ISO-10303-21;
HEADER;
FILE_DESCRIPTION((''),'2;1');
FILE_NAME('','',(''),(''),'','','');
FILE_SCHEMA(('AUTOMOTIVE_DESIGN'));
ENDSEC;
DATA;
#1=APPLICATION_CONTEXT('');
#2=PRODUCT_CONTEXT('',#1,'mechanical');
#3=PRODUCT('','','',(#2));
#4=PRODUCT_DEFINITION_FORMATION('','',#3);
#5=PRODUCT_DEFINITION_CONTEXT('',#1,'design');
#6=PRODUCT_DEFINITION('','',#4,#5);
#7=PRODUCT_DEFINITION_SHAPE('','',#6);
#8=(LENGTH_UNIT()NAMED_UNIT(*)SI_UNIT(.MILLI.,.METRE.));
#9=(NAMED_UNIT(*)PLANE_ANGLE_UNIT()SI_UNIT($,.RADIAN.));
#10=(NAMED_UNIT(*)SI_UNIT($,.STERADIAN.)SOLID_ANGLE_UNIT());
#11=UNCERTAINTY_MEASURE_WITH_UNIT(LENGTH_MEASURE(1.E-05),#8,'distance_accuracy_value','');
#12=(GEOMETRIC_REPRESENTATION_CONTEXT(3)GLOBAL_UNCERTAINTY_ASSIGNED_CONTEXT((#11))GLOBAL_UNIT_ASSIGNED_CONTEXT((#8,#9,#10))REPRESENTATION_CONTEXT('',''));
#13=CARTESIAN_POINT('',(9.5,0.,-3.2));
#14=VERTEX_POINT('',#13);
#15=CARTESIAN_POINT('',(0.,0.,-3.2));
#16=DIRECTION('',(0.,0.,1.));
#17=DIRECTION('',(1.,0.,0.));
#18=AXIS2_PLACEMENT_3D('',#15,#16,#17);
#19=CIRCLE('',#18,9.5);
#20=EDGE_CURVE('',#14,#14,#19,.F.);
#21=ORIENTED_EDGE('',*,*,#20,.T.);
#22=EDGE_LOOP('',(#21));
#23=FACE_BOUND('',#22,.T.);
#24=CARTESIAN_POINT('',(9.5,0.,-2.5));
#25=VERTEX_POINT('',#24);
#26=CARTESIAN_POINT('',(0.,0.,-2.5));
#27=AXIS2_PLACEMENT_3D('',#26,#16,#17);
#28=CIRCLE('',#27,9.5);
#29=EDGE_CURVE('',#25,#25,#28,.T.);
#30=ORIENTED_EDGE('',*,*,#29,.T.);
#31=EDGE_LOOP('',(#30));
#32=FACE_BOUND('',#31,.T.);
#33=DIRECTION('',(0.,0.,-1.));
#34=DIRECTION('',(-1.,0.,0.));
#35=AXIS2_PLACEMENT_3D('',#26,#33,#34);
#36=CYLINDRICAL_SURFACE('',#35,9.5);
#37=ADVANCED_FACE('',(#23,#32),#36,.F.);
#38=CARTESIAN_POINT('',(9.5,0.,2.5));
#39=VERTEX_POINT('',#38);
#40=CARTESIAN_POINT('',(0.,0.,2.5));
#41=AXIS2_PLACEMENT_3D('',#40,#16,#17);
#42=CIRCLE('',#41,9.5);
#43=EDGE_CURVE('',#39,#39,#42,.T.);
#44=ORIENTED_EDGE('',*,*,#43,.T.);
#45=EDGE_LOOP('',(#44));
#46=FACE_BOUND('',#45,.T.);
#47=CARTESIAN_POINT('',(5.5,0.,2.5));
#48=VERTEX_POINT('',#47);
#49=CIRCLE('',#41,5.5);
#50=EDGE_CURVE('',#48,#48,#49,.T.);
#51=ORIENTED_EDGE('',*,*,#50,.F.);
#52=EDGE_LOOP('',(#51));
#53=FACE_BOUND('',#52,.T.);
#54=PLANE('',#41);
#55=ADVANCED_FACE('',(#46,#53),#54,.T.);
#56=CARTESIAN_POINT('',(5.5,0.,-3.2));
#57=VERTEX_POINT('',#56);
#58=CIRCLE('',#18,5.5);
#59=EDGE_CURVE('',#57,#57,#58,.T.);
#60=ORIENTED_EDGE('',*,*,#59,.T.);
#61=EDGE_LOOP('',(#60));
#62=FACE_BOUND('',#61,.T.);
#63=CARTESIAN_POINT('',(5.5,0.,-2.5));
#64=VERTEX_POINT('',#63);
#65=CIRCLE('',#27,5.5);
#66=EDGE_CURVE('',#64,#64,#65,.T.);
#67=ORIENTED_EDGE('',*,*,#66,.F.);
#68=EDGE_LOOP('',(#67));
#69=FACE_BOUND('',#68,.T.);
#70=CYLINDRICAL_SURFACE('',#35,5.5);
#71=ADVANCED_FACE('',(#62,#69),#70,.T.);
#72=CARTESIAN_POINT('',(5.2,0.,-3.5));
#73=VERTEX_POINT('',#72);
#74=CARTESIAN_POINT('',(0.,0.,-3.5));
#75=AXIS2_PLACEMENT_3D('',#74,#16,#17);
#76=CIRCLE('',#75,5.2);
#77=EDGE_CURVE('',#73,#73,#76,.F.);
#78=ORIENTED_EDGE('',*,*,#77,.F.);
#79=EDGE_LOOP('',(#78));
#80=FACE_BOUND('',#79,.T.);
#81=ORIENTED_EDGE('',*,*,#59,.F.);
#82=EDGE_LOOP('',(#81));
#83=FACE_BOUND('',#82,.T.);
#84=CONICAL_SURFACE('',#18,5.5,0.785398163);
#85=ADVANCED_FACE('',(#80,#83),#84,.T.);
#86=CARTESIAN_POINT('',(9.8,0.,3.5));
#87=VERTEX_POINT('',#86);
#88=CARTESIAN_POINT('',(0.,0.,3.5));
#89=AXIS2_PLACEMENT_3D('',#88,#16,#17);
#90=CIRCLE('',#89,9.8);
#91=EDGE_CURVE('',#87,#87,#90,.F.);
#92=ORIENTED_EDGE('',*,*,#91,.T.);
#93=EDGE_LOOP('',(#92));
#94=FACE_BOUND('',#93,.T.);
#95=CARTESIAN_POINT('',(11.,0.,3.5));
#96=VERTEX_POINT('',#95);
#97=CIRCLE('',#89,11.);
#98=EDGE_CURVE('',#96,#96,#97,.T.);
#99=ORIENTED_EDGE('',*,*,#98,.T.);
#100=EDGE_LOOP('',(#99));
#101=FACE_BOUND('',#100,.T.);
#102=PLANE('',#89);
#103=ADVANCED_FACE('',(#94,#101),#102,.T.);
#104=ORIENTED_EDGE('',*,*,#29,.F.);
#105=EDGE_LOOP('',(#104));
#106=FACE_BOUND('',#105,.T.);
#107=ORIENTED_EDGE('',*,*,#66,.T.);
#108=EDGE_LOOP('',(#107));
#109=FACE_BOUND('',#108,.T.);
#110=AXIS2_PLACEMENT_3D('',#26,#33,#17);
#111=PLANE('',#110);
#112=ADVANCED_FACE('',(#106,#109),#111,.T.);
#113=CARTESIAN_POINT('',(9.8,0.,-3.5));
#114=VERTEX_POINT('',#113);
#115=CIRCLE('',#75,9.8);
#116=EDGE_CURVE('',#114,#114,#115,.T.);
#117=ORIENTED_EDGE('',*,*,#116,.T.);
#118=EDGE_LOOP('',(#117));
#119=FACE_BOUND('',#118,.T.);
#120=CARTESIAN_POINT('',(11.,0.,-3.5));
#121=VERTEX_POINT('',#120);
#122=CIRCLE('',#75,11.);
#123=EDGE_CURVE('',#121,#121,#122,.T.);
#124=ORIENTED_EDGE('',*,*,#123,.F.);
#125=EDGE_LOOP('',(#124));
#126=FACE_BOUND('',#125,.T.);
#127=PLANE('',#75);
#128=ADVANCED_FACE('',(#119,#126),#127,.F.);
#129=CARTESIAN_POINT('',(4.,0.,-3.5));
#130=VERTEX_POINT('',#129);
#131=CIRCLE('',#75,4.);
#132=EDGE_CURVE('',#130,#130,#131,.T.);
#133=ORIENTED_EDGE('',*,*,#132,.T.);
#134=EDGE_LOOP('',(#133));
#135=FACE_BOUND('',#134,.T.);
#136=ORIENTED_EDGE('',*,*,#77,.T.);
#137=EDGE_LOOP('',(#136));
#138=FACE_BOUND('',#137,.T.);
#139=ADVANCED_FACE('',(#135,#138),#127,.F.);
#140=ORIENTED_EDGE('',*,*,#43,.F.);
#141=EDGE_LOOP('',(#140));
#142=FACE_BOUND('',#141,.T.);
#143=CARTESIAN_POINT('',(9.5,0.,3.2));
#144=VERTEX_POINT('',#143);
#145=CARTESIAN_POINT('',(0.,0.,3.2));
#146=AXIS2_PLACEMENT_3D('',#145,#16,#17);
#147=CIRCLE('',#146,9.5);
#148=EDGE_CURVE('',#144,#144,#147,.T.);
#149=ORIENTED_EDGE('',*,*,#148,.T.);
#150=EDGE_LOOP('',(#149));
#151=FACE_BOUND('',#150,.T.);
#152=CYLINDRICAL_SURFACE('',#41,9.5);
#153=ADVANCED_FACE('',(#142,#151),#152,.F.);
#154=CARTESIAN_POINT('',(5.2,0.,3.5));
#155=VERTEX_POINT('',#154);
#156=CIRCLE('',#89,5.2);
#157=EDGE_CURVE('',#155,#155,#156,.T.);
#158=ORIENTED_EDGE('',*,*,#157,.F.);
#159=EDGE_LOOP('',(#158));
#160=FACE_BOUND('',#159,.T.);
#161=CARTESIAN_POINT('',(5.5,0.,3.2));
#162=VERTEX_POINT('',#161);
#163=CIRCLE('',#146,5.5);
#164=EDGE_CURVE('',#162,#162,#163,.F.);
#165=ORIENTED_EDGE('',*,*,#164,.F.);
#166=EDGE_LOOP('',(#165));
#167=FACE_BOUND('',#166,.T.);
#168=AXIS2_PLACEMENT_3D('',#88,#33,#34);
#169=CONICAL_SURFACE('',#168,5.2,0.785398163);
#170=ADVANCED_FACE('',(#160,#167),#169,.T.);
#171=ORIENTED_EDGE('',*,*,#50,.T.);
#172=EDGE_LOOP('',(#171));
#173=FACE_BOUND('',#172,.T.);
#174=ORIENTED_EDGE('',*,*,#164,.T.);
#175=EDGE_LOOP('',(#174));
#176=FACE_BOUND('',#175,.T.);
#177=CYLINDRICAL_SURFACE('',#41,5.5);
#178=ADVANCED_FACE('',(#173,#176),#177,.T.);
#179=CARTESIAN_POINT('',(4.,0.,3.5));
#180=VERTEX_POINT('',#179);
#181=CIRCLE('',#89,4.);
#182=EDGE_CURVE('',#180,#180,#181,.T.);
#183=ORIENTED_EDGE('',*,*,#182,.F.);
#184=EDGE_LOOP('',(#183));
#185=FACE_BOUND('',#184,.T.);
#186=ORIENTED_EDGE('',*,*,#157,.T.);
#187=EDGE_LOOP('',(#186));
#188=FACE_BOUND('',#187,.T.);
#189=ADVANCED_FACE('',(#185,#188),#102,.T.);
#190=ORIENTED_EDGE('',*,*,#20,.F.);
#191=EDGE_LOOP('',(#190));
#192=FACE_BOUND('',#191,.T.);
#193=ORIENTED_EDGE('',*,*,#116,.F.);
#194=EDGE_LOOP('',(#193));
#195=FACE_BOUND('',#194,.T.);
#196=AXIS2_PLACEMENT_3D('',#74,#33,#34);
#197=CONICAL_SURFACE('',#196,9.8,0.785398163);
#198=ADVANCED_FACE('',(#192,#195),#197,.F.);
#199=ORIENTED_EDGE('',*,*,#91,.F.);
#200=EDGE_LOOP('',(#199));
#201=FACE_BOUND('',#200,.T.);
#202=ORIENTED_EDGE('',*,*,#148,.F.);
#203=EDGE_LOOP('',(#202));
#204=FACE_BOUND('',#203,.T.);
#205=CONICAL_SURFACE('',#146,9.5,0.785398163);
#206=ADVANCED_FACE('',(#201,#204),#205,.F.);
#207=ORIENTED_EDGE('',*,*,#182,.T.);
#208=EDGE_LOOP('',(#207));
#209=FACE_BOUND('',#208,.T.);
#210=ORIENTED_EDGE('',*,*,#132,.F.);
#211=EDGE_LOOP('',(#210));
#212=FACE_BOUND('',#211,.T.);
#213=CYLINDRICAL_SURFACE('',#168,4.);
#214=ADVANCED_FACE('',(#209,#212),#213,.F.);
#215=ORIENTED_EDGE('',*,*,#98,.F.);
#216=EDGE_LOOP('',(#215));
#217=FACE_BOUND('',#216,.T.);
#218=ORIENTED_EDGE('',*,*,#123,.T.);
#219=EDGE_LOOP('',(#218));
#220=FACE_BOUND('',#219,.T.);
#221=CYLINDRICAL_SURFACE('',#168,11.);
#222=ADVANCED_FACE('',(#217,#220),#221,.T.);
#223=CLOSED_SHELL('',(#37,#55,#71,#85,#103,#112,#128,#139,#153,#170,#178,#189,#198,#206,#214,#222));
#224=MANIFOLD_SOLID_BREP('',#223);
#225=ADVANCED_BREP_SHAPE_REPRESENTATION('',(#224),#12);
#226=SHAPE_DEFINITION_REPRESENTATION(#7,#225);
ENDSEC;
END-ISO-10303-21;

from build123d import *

# Parameters (mm, degrees)
CROQUIS1_R              = 11
CROQUIS1_R_2            = 4
SALIENTE_EXTRUIR1_DEPTH = 3.5
CROQUIS2_R              = 9.5
CROQUIS2_R_2            = 5.5
CORTAR_EXTRUIR1_DEPTH   = 1
CHAFL_N1_SIZE           = 0.3


with BuildPart() as part:
    # Croquis1 → Saliente-Extruir1 (new, symmetric)
    with BuildSketch(Plane.XY):
        Circle(CROQUIS1_R)
        Circle(CROQUIS1_R_2, mode=Mode.SUBTRACT)
    extrude(amount=SALIENTE_EXTRUIR1_DEPTH, both=True)

    # Croquis2 → Cortar-Extruir1 (cut)
    with BuildSketch(Plane.XY.offset(3.5)):
        Circle(CROQUIS2_R)
        Circle(CROQUIS2_R_2, mode=Mode.SUBTRACT)
    cortar_extruir1 = extrude(amount=-CORTAR_EXTRUIR1_DEPTH, mode=Mode.SUBTRACT)

    # Simetría1: Cortar-Extruir1 across plane
    add(cortar_extruir1.mirror(Plane.XY), mode=Mode.SUBTRACT)

    # Chaflán1
    chafl_n1_edges = [part.edges().sort_by_distance(p)[0] for p in [
        (-9.5, 0, 3.5),
        (-5.5, 0, 3.5),
        (-5.5, 0, -3.5),
        (-9.5, 0, -3.5),
    ]]
    chamfer(chafl_n1_edges, length=CHAFL_N1_SIZE)


solid = part.part
